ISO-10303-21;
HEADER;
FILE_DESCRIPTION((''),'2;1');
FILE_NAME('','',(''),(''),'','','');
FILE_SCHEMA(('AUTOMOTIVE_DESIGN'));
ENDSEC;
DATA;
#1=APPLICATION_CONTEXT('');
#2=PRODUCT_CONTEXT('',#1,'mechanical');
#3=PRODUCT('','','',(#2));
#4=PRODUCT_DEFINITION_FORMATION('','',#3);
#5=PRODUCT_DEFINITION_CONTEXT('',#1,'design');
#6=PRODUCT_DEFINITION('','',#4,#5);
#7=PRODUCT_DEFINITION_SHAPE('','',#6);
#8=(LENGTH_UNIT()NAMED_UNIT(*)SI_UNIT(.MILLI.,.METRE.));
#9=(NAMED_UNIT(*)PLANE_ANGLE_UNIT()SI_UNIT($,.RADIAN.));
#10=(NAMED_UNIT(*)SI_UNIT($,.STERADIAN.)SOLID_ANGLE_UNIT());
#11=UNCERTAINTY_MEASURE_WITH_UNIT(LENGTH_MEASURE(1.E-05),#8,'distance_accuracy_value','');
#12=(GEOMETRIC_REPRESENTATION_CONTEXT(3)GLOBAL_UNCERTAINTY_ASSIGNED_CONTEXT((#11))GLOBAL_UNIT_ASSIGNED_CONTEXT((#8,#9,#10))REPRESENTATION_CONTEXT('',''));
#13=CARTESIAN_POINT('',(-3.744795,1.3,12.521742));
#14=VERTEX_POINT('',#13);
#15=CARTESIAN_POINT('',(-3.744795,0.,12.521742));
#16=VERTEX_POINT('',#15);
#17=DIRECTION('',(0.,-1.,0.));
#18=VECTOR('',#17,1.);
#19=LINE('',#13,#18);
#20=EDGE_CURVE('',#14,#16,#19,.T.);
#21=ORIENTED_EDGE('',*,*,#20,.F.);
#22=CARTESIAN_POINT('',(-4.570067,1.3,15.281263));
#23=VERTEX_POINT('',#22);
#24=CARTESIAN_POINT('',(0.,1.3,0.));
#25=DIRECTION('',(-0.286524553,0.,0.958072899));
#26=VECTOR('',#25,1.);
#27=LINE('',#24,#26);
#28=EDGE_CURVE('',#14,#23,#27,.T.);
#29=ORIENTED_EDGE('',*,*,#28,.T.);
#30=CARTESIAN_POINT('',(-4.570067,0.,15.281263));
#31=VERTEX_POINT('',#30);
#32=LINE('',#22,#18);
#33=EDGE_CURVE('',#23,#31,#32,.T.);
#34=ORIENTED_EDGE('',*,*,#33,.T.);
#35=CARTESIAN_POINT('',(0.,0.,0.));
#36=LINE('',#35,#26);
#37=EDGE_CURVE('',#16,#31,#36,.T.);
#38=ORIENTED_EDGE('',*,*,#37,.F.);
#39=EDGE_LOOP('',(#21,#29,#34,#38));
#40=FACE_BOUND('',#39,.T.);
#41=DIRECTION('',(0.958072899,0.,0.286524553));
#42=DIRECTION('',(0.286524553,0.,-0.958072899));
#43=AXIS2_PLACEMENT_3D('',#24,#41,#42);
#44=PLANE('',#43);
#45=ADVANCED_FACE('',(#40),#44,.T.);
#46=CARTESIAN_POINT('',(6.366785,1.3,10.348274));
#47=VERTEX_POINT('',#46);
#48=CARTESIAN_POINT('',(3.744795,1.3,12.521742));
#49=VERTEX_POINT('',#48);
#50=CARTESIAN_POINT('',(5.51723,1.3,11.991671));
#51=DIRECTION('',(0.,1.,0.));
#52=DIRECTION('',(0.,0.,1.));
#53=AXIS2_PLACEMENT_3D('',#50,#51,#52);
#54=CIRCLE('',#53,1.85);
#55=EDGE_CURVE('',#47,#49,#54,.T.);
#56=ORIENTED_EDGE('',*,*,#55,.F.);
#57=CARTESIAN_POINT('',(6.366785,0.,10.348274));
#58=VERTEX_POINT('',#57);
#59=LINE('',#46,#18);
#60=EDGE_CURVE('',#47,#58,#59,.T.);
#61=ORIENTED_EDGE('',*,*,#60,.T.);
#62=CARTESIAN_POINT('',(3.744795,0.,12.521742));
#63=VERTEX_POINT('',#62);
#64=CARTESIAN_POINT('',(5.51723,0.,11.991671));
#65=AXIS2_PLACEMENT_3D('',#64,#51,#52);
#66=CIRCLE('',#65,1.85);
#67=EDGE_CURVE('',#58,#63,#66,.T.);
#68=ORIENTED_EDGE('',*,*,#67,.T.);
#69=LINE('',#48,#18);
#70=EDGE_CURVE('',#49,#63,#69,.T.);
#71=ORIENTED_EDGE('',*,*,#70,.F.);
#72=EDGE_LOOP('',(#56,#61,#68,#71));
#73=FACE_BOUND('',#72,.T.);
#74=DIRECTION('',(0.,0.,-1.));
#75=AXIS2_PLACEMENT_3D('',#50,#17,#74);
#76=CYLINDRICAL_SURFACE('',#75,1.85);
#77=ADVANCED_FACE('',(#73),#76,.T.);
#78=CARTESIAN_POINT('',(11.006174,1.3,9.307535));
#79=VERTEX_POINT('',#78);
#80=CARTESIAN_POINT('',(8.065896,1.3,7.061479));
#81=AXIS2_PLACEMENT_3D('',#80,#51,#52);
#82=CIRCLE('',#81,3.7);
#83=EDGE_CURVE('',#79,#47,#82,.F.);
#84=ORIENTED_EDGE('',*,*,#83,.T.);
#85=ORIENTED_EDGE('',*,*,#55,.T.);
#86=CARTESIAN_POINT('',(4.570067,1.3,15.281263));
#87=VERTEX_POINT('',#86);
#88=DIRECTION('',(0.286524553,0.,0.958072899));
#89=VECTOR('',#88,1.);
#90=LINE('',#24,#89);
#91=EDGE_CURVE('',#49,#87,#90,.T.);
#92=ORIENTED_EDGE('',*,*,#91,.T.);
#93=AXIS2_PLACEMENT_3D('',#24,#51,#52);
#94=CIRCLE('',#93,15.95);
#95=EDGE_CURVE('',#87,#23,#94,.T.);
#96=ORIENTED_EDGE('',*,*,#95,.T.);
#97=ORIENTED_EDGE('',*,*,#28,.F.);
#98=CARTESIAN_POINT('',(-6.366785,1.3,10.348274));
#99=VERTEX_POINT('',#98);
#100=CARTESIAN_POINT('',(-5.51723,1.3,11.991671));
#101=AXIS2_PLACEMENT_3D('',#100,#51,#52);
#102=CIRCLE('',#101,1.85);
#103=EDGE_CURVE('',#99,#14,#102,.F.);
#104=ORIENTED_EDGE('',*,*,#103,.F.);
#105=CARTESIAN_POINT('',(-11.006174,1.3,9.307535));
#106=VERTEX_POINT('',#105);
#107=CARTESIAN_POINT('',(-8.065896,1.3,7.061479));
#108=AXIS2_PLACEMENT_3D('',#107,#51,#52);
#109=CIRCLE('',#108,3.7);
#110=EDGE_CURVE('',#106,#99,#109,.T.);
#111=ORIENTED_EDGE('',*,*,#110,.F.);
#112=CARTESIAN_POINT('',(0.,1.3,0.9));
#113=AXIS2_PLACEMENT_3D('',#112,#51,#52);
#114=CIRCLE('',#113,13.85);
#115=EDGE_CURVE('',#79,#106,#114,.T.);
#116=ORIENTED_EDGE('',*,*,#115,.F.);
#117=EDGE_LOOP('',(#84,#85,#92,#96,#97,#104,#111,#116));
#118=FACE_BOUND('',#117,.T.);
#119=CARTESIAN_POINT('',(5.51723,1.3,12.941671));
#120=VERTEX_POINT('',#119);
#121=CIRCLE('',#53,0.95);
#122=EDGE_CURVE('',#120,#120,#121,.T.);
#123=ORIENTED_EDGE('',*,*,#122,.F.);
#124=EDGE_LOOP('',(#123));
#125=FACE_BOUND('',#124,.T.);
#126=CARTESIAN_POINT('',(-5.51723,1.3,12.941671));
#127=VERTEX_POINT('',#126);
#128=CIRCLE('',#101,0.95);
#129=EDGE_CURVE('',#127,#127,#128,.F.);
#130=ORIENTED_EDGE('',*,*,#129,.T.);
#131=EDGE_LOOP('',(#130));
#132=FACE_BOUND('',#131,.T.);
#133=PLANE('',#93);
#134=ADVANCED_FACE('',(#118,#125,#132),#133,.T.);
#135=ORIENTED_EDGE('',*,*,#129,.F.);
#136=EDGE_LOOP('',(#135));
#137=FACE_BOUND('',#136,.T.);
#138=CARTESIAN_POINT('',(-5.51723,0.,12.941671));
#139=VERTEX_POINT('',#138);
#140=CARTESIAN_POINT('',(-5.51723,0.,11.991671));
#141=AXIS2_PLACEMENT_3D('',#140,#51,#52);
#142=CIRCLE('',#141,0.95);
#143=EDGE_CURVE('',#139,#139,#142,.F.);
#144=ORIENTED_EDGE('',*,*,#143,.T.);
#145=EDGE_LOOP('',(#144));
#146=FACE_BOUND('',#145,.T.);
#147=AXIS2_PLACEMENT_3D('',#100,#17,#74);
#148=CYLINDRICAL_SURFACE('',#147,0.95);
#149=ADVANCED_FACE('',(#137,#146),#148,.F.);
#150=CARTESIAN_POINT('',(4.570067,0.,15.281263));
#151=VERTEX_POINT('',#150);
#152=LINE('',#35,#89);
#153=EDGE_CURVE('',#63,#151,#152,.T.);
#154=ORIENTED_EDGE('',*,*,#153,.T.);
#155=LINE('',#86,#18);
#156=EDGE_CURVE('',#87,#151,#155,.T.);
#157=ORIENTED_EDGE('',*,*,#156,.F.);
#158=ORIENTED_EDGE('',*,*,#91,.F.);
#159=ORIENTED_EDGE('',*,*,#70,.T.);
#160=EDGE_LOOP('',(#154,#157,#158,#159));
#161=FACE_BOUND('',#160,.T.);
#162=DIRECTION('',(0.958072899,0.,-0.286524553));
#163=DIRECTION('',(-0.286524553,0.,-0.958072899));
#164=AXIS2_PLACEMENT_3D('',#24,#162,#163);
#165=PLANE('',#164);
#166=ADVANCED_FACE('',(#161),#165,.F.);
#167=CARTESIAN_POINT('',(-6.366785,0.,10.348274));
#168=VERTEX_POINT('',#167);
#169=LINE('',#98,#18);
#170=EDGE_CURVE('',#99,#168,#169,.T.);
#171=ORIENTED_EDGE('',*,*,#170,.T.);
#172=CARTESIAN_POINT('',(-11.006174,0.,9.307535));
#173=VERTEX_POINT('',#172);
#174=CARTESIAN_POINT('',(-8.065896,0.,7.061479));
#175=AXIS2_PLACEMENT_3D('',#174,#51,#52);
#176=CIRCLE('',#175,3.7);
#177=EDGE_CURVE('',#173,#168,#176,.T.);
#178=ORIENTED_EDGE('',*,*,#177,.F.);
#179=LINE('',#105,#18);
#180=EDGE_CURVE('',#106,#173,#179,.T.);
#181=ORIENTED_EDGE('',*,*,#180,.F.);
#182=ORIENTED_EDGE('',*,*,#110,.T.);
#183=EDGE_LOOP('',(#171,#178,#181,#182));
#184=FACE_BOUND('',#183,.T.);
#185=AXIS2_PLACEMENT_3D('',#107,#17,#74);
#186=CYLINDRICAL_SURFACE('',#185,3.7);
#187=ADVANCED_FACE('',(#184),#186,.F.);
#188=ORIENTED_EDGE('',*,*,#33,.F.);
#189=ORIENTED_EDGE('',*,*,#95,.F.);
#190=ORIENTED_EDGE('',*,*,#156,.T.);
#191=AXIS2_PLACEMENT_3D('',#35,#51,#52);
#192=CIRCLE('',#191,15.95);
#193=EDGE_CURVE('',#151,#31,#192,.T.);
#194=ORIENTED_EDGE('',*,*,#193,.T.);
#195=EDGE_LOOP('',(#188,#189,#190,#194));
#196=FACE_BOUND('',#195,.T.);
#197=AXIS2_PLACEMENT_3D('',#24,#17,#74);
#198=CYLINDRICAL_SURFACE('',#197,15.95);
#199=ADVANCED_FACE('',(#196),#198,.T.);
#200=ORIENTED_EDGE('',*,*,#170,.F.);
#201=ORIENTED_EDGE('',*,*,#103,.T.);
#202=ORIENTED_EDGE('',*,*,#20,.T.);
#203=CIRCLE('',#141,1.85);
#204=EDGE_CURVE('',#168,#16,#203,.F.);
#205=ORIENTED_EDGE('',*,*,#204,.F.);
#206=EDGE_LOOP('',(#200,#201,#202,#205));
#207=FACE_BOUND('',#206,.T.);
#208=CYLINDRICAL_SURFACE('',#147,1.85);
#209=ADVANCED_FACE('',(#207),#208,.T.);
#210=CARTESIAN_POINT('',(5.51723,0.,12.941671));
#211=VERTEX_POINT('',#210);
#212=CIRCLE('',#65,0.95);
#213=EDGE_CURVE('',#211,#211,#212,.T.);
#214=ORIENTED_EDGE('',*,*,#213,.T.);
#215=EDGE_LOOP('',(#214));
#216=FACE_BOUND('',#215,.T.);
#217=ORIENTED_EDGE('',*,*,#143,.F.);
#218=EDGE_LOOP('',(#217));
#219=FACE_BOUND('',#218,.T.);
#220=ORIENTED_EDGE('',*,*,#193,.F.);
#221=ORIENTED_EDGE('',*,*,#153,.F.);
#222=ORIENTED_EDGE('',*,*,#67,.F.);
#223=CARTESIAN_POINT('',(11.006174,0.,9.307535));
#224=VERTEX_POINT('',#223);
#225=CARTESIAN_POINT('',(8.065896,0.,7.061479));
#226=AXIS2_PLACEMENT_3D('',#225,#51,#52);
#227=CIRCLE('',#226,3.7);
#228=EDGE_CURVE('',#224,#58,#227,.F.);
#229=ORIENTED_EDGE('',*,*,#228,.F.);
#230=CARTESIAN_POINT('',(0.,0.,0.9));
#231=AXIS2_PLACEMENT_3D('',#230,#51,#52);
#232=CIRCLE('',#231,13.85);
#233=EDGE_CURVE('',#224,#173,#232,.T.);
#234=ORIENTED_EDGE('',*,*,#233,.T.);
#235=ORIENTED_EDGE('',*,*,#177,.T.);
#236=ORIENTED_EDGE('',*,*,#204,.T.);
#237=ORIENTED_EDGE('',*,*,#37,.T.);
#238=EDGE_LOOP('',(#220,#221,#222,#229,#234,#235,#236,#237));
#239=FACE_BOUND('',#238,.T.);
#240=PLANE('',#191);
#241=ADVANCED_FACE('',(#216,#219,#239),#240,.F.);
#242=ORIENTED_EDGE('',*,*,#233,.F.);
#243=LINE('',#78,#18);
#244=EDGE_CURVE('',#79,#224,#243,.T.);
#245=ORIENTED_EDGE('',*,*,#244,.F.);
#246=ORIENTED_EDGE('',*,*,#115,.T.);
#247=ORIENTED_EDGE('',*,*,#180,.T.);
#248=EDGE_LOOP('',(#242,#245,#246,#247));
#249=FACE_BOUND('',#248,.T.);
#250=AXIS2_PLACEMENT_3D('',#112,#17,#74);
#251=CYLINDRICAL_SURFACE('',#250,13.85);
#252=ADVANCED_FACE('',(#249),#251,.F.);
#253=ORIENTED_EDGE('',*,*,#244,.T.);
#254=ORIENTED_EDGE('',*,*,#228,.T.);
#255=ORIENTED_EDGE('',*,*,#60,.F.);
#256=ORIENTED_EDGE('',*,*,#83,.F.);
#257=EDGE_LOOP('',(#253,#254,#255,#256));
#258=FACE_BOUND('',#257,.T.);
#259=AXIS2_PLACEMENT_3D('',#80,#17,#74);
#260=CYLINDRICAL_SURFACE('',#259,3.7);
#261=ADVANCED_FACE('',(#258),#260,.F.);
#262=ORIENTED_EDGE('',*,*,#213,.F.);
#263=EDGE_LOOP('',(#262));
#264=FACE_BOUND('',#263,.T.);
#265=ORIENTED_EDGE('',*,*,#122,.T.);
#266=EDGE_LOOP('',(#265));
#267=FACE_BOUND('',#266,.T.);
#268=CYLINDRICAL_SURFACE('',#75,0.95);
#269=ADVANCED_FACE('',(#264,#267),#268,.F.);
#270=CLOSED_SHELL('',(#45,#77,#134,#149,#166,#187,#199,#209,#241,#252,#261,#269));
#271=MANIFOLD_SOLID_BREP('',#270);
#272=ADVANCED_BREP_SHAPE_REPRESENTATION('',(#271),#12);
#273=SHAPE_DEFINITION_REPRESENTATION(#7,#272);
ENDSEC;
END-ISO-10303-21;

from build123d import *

# Parameters (mm, degrees)
SKETCH_1_R      = 0.95
EXTRUDE_1_DEPTH = 1.3


with BuildPart() as part:
    # 草图1 → 凸台-拉伸1 (new body)
    with BuildSketch(Plane(origin=(0, 0, 0), x_dir=(1, 0, 0), z_dir=(0, 1, 0))):
        with BuildLine():
            ThreePointArc((6.366785174, -10.348273625), (4.336586912, -10.567387921), (3.744794787, -12.521741558))
            Line((3.744794787, -12.521741558), (4.570066616, -15.281262746))
            ThreePointArc((4.570066616, -15.281262746), (0, 15.95), (-4.570066616, -15.281262746))
            Line((-4.570066616, -15.281262746), (-3.744794792, -12.521741574))
            ThreePointArc((-3.744794792, -12.521741574), (-4.336586905, -10.567387926), (-6.366785174, -10.348273625))
            ThreePointArc((-6.366785174, -10.348273625), (-8.87577758, -10.671754493), (-11.00617365, -9.30753481))
            ThreePointArc((-11.00617365, -9.30753481), (0, 12.95), (11.00617365, -9.30753481))
            ThreePointArc((11.00617365, -9.30753481), (8.87577758, -10.671754493), (6.366785174, -10.348273625))
        make_face()
        with Locations(Location((5.517229655, -11.991671149, 0), (0, 0, 270))):
            Circle(SKETCH_1_R, mode=Mode.SUBTRACT)
        with Locations(Location((-5.517229655, -11.991671149, 0), (0, 0, 270))):
            Circle(SKETCH_1_R, mode=Mode.SUBTRACT)
    extrude(amount=EXTRUDE_1_DEPTH)


solid = part.part
